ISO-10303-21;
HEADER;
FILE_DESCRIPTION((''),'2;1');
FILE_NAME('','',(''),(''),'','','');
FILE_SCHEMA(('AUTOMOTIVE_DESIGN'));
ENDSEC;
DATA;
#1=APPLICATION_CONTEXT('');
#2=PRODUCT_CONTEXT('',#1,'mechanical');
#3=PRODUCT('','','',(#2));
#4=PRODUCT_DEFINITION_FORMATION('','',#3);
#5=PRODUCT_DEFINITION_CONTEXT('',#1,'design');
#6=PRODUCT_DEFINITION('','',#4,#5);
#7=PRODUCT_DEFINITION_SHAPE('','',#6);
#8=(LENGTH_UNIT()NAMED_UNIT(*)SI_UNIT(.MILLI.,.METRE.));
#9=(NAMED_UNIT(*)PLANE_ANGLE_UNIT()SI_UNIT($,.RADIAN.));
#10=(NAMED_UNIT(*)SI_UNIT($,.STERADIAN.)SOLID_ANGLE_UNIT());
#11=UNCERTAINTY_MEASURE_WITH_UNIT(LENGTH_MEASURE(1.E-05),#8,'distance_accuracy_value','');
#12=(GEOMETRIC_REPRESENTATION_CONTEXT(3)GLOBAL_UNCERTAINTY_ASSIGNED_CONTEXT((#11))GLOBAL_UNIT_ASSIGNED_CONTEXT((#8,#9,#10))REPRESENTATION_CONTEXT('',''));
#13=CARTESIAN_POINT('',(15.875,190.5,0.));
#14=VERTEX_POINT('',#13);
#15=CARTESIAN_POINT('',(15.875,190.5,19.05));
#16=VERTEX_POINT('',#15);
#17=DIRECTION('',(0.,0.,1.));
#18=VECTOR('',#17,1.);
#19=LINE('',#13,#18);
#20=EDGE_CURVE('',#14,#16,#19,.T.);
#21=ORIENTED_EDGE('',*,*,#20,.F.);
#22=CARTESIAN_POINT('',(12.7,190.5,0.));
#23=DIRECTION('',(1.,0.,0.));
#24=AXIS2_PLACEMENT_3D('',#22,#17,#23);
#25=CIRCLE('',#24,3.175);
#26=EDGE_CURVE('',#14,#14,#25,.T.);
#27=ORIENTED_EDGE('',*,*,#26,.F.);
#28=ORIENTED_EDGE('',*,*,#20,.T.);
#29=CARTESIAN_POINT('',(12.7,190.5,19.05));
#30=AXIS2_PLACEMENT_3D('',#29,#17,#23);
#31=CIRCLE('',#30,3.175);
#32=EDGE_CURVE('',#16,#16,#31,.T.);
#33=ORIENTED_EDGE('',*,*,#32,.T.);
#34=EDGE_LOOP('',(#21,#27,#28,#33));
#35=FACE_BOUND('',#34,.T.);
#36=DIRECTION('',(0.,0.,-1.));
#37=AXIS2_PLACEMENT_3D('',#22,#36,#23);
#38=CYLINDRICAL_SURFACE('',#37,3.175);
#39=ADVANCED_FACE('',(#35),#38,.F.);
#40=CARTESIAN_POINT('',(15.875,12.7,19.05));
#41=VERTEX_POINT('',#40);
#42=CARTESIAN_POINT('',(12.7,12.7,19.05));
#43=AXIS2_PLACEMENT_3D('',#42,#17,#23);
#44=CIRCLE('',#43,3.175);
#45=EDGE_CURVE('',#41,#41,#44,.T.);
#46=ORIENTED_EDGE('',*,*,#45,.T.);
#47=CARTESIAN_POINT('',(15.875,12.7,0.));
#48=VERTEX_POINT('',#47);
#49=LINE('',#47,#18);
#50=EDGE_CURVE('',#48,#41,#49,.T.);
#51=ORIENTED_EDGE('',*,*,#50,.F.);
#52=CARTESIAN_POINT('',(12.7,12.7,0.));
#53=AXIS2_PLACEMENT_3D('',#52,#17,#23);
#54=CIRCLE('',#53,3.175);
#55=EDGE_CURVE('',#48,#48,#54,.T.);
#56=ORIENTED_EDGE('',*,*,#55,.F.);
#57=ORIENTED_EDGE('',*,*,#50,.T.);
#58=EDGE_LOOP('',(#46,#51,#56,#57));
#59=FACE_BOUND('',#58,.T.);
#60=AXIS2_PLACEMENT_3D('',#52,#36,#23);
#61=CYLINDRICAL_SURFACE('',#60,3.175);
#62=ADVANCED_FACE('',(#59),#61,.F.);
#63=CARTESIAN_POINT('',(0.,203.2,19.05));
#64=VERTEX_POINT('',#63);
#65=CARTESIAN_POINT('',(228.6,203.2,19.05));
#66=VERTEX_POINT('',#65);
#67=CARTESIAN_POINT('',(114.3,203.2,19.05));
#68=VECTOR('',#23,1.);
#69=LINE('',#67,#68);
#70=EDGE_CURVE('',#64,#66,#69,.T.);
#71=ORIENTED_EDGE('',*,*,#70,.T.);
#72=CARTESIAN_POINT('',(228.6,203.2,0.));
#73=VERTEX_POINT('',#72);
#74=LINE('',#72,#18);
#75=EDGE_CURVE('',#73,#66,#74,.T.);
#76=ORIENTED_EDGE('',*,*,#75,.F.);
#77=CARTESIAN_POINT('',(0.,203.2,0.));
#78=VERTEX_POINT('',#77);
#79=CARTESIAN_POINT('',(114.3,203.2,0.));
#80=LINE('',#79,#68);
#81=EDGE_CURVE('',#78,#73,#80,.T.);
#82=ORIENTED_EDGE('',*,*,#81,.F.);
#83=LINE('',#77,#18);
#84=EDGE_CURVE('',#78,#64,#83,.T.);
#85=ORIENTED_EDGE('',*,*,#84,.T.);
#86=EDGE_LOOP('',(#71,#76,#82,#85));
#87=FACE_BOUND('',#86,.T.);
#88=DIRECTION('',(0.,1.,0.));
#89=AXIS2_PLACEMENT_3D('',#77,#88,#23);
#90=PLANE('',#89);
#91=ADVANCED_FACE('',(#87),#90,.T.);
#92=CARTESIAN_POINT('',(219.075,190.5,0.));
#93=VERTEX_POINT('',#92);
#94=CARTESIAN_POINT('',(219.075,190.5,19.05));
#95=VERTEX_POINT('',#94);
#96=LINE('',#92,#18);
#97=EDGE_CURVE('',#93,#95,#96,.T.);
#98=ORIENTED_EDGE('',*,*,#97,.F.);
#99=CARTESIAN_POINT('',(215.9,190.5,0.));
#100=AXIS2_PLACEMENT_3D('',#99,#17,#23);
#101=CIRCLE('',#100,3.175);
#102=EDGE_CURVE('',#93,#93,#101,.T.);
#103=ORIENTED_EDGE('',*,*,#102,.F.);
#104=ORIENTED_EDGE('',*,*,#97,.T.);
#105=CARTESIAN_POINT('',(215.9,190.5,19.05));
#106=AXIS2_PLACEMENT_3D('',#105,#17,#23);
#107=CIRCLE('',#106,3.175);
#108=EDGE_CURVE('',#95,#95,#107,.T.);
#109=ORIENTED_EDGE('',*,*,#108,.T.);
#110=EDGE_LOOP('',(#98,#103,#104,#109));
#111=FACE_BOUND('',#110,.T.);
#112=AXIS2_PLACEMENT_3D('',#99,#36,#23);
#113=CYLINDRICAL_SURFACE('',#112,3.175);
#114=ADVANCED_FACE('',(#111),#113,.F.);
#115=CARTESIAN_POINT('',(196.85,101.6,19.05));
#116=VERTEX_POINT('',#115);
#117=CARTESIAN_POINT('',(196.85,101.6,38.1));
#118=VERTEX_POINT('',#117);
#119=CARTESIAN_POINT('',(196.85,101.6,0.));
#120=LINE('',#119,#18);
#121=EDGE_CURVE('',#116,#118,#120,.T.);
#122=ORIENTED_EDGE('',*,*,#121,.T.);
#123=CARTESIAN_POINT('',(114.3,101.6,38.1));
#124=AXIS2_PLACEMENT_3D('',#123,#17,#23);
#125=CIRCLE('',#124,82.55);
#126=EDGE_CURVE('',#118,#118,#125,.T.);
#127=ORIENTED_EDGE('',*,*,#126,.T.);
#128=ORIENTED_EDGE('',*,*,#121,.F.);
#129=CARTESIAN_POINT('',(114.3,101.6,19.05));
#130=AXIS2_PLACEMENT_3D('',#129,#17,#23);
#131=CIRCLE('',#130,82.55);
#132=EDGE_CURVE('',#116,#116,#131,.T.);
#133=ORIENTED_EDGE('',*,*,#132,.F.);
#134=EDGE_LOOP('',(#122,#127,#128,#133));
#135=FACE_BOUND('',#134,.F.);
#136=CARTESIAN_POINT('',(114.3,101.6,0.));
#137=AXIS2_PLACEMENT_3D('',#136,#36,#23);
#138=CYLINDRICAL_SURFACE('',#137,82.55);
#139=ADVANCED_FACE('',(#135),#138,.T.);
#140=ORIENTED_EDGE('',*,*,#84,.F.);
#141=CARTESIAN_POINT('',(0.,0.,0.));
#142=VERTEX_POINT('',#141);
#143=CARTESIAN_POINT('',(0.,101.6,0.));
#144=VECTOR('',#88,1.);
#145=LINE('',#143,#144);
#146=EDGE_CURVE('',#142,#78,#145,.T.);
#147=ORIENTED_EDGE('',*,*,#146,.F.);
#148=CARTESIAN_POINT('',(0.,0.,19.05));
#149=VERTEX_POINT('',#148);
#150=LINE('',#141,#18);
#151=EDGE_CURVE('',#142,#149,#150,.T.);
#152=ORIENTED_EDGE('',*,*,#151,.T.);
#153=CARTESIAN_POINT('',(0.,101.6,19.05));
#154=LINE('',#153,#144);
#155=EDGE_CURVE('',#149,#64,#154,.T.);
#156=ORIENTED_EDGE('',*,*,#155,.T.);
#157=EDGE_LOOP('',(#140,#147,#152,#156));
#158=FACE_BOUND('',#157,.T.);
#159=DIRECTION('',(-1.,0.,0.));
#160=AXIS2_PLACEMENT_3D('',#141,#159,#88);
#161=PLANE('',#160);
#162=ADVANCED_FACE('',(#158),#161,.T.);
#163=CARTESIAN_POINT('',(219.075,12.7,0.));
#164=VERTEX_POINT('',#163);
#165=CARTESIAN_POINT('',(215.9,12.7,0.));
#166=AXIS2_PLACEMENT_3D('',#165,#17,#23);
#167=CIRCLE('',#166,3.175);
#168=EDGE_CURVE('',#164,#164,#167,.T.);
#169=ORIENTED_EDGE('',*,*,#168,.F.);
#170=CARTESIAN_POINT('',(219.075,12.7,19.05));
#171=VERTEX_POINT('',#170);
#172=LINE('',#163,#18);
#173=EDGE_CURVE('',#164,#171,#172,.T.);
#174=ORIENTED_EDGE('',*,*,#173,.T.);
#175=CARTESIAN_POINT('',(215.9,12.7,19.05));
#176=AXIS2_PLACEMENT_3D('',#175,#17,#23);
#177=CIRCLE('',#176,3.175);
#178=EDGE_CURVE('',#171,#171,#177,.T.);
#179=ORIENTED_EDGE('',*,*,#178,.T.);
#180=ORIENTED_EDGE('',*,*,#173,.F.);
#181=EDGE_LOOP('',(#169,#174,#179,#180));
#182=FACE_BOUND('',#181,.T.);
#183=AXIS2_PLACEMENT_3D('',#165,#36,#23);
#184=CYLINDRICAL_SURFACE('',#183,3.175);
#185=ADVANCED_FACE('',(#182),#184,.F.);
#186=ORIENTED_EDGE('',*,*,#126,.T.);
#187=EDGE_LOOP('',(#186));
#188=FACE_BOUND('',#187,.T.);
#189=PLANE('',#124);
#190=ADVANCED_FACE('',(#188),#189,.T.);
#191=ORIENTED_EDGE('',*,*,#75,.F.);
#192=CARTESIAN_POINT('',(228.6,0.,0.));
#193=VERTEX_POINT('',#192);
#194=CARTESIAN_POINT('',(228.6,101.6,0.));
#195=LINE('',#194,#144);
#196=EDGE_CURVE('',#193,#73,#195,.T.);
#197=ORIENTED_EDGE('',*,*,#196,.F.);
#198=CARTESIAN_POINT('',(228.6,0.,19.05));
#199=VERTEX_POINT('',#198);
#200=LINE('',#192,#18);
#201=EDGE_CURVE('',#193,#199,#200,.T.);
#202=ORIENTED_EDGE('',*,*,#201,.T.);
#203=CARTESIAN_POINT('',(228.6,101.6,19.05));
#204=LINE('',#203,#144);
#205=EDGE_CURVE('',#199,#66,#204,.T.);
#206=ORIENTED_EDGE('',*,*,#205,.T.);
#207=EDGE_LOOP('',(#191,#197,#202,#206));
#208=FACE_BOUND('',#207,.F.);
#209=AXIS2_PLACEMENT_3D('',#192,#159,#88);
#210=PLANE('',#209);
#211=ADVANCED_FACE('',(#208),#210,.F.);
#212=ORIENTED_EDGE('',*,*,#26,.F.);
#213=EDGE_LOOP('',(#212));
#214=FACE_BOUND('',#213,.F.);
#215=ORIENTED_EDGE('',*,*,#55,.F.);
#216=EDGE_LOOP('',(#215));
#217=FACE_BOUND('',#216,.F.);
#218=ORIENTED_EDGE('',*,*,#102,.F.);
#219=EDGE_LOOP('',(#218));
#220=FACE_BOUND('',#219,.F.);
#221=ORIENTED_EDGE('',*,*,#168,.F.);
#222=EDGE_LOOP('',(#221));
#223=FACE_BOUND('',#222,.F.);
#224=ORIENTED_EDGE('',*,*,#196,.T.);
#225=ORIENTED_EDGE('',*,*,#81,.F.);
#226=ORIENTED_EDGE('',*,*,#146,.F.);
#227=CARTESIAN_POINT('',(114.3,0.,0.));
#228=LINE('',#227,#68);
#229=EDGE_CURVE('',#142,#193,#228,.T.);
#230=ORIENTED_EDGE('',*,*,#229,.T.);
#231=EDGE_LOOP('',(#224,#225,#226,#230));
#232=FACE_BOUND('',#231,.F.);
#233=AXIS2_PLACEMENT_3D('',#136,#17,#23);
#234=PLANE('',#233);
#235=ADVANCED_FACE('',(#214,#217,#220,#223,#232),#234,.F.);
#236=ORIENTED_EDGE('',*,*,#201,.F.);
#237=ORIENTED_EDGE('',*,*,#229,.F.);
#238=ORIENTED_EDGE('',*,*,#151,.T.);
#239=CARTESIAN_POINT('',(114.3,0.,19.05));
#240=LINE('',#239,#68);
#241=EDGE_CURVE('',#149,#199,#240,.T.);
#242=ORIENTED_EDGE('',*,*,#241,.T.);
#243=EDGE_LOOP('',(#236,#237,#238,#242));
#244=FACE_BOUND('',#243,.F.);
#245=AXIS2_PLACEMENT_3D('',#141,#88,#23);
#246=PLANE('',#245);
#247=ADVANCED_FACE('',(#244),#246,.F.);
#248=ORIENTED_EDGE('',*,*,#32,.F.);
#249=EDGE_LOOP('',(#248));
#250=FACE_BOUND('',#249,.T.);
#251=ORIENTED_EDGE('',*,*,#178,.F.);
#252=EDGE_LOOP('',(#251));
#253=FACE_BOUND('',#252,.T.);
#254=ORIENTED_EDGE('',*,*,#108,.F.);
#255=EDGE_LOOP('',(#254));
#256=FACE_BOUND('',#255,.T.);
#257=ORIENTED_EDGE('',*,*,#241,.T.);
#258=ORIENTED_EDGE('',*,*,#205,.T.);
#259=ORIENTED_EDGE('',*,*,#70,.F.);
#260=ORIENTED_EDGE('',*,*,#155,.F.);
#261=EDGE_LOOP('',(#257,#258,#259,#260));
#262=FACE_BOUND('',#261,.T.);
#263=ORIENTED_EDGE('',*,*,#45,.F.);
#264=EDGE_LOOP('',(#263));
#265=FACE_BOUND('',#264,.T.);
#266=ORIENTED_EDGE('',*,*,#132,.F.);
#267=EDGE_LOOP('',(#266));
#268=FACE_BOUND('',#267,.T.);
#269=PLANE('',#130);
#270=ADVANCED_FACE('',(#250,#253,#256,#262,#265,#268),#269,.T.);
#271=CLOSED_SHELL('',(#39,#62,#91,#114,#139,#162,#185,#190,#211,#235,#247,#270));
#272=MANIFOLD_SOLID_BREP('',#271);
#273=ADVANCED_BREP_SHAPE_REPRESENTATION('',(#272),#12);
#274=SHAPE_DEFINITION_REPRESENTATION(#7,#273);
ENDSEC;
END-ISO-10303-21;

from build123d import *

# Parameters (mm, degrees)
F0_R     = 82.55
F1_DEPTH = 38.1
F0_W     = 228.6
F0_H     = 203.2
F0_R_2   = 3.175
F2_DEPTH = 19.05


with BuildPart() as f1:
    # F0 (on Top) → F1 (new body)
    with BuildSketch(Plane.XY):
        with Locations((114.3, 101.6)):
            Circle(F0_R)
    extrude(amount=F1_DEPTH)

    # F0 (on Top) → F2 (join)
    with BuildSketch(Plane.XY):
        with Locations((114.3, 101.6)):
            Rectangle(F0_W, F0_H)
        with Locations((12.7, 12.7)):
            Circle(F0_R_2, mode=Mode.SUBTRACT)
        with Locations((215.9, 12.7)):
            Circle(F0_R_2, mode=Mode.SUBTRACT)
        with Locations((114.3, 101.6)):
            Circle(F0_R, mode=Mode.SUBTRACT)
        with Locations((12.7, 190.5)):
            Circle(F0_R_2, mode=Mode.SUBTRACT)
        with Locations((215.9, 190.5)):
            Circle(F0_R_2, mode=Mode.SUBTRACT)
    extrude(amount=F2_DEPTH)


solid = f1.part
